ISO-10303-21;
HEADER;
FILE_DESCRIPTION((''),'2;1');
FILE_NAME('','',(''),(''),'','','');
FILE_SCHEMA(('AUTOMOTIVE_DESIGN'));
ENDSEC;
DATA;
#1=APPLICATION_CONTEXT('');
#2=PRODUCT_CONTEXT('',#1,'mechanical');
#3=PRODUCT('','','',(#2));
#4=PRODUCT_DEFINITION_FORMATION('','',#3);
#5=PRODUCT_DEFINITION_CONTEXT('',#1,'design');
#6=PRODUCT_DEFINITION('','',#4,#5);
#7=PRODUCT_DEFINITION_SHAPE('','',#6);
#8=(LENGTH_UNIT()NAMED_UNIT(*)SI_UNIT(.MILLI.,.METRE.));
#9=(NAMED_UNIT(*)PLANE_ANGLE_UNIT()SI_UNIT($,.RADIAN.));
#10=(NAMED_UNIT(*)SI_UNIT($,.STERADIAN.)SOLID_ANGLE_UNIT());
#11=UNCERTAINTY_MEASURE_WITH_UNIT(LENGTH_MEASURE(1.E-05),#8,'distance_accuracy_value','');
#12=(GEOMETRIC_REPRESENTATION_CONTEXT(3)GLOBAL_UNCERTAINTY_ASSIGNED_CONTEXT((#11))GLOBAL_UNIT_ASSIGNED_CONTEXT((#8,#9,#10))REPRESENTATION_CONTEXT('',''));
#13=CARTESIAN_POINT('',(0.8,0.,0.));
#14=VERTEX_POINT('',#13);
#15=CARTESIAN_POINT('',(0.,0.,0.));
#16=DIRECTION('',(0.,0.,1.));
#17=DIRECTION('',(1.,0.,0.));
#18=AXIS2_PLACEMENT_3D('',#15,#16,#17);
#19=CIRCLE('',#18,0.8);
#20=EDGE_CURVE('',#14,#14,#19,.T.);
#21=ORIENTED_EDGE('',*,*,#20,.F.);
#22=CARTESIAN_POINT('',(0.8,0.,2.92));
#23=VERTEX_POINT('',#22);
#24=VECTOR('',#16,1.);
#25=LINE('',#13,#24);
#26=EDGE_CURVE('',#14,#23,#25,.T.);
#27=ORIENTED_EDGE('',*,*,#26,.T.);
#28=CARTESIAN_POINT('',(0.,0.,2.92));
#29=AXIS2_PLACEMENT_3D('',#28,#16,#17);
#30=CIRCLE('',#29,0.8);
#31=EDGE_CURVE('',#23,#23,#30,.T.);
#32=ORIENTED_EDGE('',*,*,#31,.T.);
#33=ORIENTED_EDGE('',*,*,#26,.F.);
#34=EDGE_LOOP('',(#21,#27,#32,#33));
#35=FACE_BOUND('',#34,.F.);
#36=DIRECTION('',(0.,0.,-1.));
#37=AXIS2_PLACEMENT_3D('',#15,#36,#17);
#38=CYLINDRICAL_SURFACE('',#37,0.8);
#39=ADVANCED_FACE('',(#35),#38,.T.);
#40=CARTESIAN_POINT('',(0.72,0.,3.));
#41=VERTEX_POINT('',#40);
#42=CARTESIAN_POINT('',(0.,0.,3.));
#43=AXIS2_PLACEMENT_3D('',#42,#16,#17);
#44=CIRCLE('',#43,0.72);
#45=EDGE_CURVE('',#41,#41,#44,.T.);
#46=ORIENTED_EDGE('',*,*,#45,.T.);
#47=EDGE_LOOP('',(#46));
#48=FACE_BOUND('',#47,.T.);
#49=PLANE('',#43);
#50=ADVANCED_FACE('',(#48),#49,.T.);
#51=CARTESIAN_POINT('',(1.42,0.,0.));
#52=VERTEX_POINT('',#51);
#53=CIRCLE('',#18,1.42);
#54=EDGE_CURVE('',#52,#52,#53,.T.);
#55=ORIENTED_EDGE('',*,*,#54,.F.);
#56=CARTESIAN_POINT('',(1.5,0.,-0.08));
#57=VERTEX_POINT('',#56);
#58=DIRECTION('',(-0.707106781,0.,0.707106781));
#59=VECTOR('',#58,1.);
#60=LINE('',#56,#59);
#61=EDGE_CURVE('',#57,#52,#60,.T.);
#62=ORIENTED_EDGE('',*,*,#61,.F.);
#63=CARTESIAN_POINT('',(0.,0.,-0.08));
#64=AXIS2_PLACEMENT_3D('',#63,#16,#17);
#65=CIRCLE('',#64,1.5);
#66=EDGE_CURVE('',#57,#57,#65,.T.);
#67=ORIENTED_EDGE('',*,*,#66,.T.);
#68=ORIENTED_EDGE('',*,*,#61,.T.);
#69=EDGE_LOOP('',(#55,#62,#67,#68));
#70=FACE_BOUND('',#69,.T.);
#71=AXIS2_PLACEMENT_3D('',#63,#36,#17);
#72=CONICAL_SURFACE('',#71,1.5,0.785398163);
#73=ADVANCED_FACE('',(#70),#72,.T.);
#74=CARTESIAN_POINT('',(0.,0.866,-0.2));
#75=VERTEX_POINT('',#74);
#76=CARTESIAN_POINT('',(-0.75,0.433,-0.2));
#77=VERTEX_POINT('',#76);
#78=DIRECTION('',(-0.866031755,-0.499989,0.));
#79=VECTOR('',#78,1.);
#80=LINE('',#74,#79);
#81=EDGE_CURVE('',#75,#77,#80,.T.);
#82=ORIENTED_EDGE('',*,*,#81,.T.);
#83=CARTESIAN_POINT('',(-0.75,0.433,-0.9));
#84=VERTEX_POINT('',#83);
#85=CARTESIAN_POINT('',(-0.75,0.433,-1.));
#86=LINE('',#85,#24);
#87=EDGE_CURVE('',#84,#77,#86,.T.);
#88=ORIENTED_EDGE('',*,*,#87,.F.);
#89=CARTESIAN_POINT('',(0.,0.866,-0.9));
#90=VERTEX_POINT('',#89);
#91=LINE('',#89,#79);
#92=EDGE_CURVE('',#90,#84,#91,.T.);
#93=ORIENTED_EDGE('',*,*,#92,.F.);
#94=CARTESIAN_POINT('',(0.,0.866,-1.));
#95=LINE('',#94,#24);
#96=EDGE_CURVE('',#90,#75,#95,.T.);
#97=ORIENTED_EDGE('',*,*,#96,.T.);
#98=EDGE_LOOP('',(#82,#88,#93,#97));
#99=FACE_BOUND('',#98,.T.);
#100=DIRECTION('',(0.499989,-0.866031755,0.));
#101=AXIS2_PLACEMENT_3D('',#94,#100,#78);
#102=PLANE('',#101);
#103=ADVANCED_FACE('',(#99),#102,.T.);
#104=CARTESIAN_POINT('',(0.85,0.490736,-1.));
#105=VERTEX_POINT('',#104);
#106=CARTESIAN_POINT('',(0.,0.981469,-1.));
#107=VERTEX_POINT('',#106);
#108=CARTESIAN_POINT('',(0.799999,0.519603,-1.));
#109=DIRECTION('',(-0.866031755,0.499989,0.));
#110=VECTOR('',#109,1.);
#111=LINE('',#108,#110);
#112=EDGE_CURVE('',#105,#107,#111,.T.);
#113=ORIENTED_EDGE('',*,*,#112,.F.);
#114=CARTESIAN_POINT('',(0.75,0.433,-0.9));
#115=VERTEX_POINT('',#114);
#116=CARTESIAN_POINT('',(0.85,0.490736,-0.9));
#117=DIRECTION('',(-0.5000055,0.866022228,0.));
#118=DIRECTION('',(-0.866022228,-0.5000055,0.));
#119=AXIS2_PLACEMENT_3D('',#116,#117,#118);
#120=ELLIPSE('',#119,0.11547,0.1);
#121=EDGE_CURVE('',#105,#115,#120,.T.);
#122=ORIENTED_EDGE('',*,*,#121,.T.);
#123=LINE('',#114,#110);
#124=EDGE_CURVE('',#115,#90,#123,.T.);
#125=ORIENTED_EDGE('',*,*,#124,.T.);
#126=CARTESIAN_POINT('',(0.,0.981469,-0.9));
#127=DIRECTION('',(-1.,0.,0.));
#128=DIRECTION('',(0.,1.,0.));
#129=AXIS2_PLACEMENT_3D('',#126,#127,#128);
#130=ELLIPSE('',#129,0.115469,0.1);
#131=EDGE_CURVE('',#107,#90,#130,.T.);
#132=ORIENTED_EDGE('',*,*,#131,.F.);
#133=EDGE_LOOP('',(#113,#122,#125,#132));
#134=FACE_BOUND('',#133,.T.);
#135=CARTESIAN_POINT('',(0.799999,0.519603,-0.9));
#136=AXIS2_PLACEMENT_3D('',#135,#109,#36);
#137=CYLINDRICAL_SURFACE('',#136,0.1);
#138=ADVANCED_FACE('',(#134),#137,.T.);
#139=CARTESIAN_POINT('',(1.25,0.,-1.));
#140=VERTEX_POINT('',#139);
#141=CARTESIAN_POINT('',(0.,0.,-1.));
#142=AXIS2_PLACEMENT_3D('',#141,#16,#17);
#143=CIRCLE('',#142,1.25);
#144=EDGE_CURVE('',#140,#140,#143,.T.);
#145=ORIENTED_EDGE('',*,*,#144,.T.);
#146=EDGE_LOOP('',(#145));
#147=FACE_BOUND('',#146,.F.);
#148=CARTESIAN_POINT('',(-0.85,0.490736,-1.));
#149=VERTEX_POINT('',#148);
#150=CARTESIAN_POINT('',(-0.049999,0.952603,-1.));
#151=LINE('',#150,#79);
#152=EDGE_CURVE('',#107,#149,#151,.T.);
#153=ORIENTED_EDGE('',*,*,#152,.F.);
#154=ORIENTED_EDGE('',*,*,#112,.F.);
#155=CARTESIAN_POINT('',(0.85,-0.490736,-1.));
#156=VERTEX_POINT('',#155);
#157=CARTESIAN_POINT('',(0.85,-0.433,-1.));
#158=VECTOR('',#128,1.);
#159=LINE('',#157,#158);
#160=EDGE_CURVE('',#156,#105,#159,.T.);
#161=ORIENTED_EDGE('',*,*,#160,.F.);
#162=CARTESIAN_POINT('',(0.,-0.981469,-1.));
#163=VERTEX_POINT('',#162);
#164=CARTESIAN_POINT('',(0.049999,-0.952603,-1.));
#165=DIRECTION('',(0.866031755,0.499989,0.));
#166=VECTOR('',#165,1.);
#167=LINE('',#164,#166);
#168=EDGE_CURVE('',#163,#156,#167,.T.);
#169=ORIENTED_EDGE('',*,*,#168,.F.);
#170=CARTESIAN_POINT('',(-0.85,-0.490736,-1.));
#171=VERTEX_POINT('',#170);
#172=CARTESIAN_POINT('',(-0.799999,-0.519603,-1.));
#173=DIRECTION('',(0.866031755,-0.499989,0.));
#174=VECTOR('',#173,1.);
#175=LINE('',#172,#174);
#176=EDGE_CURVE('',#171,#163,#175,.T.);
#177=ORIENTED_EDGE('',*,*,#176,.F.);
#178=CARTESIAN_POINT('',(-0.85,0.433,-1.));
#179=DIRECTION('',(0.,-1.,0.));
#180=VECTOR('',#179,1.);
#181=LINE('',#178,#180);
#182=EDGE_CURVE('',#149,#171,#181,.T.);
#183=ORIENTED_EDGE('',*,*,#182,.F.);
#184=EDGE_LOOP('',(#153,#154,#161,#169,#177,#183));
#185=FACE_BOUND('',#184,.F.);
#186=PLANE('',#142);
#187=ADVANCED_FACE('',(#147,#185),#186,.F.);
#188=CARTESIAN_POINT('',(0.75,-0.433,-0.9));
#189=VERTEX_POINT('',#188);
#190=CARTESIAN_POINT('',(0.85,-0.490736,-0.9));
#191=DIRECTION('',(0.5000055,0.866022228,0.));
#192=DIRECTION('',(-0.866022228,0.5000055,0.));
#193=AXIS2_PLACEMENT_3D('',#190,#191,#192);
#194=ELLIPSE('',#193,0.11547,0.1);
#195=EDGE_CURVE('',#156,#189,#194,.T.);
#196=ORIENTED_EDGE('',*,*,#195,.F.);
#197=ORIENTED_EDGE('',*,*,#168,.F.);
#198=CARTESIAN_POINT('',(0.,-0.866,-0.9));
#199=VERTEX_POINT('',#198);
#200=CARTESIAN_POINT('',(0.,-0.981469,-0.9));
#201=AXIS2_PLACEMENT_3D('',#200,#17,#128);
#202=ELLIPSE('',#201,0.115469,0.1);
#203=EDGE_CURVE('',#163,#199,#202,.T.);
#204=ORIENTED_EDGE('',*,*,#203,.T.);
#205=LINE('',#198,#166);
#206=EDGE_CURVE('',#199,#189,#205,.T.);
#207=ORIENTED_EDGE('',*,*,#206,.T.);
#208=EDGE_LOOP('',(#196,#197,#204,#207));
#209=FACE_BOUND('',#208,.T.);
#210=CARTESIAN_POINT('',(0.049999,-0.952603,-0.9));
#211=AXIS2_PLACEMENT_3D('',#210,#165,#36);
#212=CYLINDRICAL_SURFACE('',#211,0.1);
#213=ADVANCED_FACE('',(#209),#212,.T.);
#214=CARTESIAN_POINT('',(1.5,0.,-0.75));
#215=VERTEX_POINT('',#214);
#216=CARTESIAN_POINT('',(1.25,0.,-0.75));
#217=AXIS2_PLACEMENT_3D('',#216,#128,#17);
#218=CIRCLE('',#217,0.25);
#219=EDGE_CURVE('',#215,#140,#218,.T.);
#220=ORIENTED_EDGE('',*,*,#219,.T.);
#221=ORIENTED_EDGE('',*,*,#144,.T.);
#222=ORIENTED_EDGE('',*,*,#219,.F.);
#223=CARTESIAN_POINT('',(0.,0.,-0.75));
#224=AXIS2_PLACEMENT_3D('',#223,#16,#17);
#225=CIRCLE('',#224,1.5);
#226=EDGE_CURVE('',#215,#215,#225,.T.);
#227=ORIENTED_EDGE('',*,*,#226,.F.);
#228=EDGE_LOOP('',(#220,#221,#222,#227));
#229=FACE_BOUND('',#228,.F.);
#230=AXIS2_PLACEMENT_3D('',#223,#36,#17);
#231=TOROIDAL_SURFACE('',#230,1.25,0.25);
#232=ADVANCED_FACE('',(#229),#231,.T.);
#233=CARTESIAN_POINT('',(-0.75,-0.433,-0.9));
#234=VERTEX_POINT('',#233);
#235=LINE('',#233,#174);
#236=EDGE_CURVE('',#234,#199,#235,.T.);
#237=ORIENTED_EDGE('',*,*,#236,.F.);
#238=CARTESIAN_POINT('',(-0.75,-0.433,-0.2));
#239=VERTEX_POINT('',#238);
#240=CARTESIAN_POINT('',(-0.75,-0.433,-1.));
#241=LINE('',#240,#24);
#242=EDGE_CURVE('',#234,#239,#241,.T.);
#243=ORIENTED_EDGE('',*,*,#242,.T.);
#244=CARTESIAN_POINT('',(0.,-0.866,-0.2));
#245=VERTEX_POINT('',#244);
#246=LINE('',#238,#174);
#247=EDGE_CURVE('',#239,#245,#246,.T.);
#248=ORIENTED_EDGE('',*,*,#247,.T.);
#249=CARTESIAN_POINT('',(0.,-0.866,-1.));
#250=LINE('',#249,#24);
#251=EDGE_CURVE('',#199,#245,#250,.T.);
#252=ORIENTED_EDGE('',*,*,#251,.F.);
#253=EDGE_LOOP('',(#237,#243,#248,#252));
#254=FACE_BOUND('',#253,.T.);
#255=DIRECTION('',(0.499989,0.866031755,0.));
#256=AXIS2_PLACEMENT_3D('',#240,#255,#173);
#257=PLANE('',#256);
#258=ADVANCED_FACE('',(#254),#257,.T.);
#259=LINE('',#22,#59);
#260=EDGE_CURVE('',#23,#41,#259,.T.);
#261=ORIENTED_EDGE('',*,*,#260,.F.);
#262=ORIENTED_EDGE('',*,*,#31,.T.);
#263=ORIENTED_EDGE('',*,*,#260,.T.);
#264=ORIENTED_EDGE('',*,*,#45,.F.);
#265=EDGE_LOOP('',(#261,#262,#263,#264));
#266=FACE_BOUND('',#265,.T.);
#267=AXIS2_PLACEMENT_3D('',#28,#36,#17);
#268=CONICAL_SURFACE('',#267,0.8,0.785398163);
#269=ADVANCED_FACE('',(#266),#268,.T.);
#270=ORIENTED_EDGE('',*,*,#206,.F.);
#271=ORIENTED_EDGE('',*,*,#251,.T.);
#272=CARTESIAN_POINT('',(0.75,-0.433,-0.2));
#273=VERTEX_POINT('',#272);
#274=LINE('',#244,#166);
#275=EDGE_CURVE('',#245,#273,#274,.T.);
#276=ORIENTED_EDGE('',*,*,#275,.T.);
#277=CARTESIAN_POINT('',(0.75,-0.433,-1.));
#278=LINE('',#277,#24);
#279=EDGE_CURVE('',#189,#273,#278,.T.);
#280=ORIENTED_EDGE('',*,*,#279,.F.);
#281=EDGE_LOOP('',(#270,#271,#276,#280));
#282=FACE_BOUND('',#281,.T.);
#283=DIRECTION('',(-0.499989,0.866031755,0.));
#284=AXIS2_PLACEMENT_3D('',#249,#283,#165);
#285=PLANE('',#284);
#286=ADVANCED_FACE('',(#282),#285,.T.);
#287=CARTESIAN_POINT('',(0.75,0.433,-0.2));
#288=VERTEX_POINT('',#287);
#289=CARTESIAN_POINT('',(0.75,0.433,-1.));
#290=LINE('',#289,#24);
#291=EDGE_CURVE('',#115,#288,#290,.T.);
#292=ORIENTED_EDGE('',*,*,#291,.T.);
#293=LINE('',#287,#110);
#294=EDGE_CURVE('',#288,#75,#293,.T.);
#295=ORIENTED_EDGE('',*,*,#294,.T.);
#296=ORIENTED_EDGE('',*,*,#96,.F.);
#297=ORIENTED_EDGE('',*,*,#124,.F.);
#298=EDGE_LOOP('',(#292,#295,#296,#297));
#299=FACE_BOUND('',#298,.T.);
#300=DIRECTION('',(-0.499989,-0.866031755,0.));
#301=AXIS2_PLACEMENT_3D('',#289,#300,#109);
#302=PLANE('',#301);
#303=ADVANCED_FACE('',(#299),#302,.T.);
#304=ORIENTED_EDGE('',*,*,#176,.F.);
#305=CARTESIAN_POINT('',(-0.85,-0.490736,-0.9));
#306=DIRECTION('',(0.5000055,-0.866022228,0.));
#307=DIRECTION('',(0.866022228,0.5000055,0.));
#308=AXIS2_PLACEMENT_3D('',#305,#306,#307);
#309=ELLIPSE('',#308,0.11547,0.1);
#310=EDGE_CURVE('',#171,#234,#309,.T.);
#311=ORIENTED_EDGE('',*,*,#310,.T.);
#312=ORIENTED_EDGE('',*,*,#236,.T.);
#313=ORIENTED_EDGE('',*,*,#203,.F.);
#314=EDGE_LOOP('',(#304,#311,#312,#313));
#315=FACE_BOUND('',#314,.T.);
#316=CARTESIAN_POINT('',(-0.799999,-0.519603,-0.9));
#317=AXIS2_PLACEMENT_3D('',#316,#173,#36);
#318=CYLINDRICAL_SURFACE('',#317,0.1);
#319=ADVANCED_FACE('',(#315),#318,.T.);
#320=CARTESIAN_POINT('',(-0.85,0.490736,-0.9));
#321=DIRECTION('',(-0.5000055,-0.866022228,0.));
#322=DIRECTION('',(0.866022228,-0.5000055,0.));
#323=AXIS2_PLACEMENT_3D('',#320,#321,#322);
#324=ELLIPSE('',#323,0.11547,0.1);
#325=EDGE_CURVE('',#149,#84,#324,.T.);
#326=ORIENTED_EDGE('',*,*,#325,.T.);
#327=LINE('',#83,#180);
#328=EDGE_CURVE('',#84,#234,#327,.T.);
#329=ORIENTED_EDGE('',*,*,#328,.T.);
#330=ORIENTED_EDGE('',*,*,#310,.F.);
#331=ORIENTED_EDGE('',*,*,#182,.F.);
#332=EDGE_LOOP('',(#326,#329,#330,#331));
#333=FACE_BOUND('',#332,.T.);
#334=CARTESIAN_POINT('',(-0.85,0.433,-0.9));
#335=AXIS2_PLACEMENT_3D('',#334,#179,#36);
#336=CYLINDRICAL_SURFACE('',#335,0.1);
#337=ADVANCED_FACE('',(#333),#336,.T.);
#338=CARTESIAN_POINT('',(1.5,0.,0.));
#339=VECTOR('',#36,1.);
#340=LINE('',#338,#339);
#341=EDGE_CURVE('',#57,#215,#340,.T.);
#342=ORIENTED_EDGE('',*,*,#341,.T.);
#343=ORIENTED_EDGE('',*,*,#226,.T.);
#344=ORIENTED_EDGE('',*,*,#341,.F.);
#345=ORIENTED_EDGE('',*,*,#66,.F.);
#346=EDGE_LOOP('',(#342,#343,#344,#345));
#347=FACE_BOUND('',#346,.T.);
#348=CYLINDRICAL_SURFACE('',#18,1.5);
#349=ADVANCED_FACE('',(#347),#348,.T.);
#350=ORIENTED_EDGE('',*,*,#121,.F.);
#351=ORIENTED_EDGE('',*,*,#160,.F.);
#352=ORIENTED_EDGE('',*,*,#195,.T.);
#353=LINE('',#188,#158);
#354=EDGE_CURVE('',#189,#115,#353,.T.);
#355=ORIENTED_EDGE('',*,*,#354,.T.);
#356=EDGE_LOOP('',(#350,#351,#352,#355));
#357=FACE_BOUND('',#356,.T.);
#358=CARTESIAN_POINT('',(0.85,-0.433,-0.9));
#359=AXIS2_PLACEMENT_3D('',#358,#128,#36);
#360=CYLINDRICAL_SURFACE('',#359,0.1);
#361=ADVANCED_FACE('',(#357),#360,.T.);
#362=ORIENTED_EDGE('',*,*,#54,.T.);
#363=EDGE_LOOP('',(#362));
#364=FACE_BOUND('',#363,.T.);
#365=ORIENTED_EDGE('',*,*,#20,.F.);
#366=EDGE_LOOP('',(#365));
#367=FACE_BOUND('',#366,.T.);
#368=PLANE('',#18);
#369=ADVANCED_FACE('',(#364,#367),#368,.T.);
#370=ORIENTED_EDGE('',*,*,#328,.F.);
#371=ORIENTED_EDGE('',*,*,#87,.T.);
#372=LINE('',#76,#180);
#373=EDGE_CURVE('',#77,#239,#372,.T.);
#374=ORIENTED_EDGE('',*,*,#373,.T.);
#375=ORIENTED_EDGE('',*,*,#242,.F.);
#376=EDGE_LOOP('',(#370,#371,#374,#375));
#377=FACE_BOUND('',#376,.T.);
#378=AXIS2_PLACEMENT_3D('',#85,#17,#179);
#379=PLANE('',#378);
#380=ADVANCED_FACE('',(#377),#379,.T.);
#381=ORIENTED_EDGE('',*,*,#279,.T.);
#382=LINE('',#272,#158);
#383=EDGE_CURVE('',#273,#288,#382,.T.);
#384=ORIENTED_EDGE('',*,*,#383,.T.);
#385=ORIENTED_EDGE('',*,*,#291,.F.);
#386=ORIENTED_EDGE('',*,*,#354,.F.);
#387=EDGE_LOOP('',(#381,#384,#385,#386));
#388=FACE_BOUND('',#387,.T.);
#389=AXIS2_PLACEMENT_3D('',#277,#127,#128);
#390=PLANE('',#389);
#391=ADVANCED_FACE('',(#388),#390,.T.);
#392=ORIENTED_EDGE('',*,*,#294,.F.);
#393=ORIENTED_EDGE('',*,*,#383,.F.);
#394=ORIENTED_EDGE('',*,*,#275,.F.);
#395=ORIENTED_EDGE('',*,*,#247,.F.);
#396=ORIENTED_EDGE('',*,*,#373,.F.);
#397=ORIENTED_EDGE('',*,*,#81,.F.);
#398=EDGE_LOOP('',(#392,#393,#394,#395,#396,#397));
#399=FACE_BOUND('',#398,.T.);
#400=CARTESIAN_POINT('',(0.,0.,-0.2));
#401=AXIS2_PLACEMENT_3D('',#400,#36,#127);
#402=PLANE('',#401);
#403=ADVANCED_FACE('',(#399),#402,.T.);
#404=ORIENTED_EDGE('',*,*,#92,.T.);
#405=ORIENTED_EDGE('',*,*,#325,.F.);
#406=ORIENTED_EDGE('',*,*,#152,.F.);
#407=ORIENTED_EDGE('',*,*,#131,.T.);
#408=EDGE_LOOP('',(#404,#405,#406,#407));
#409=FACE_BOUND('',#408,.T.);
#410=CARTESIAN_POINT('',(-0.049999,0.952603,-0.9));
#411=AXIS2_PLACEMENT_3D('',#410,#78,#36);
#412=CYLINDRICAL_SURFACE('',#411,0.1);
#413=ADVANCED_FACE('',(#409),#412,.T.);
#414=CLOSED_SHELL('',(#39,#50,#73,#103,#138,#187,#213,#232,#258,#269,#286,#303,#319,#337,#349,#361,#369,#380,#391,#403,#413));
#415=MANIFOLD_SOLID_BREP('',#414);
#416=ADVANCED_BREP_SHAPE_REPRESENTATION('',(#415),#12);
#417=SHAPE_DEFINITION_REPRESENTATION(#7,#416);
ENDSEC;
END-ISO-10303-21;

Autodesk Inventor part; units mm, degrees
ref_plane "YZ Plane" through (0, 0, 0) normal (1, 0, 0) x (0, 1, 0)
ref_plane "XZ Plane" through (0, 0, 0) normal (0, 1, 0) x (-1, 0, 0)
ref_plane "XY Plane" through (0, 0, 0) normal (0, 0, 1) x (1, 0, 0)
sketch "Sketch1" plane through (0, 0, 0) normal (0, 0, 1) x (1, 0, 0)
  circle A0 centre (0, 0) radius 0.8
  circle A1 centre (0, 0) radius 1.5
  dimension "d0" = 1.6
  dimension "d1" = 3
extrude "Extrusion1" add sketch "Sketch1" along normal blind 3 contours A0
extrude "Extrusion2" add sketch "Sketch1" against normal blind 1 contours A0 | A1
sketch "Sketch2" plane through (0, 0, -1) normal (0, 0, -1) x (-1, 0, 0)
  line L0 (-0.75, 0.433) -> (0, 0.866)
  line L1 (0, 0.866) -> (0.75, 0.433)
  line L2 (0.75, 0.433) -> (0.75, -0.433)
  line L3 (0.75, -0.433) -> (0, -0.866)
  line L4 (0, -0.866) -> (-0.75, -0.433)
  line L5 (-0.75, -0.433) -> (-0.75, 0.433)
  point P0 (0, 0)
  point P1 (0, 0)
  dimension "d6" = 1.5
extrude "Extrusion3" cut sketch "Sketch2" against normal blind 0.8
fillet "Fillet1" radius 0.25 1 edges at (-1.5, 0, -1)
fillet "Fillet1" radius 0.1 6 edges at (0.375, 0.6495, -1) (0.75, 0, -1) (0.375, -0.6495, -1) (-0.375, -0.6495, -1) (-0.75, 0, -1) (-0.375, 0.6495, -1)
thread "Thread1" size "M1.6x0.35" class "6g" standard "ANSI Metric M Profile" full length
chamfer "Chamfer1" distance 0.08 angle 45 2 edges at (-0.8, 0, 3) (-1.5, 0, 0)
properties part number "CNCT_STEEL_M1,6x3_Screw" material "Stainless Steel"
